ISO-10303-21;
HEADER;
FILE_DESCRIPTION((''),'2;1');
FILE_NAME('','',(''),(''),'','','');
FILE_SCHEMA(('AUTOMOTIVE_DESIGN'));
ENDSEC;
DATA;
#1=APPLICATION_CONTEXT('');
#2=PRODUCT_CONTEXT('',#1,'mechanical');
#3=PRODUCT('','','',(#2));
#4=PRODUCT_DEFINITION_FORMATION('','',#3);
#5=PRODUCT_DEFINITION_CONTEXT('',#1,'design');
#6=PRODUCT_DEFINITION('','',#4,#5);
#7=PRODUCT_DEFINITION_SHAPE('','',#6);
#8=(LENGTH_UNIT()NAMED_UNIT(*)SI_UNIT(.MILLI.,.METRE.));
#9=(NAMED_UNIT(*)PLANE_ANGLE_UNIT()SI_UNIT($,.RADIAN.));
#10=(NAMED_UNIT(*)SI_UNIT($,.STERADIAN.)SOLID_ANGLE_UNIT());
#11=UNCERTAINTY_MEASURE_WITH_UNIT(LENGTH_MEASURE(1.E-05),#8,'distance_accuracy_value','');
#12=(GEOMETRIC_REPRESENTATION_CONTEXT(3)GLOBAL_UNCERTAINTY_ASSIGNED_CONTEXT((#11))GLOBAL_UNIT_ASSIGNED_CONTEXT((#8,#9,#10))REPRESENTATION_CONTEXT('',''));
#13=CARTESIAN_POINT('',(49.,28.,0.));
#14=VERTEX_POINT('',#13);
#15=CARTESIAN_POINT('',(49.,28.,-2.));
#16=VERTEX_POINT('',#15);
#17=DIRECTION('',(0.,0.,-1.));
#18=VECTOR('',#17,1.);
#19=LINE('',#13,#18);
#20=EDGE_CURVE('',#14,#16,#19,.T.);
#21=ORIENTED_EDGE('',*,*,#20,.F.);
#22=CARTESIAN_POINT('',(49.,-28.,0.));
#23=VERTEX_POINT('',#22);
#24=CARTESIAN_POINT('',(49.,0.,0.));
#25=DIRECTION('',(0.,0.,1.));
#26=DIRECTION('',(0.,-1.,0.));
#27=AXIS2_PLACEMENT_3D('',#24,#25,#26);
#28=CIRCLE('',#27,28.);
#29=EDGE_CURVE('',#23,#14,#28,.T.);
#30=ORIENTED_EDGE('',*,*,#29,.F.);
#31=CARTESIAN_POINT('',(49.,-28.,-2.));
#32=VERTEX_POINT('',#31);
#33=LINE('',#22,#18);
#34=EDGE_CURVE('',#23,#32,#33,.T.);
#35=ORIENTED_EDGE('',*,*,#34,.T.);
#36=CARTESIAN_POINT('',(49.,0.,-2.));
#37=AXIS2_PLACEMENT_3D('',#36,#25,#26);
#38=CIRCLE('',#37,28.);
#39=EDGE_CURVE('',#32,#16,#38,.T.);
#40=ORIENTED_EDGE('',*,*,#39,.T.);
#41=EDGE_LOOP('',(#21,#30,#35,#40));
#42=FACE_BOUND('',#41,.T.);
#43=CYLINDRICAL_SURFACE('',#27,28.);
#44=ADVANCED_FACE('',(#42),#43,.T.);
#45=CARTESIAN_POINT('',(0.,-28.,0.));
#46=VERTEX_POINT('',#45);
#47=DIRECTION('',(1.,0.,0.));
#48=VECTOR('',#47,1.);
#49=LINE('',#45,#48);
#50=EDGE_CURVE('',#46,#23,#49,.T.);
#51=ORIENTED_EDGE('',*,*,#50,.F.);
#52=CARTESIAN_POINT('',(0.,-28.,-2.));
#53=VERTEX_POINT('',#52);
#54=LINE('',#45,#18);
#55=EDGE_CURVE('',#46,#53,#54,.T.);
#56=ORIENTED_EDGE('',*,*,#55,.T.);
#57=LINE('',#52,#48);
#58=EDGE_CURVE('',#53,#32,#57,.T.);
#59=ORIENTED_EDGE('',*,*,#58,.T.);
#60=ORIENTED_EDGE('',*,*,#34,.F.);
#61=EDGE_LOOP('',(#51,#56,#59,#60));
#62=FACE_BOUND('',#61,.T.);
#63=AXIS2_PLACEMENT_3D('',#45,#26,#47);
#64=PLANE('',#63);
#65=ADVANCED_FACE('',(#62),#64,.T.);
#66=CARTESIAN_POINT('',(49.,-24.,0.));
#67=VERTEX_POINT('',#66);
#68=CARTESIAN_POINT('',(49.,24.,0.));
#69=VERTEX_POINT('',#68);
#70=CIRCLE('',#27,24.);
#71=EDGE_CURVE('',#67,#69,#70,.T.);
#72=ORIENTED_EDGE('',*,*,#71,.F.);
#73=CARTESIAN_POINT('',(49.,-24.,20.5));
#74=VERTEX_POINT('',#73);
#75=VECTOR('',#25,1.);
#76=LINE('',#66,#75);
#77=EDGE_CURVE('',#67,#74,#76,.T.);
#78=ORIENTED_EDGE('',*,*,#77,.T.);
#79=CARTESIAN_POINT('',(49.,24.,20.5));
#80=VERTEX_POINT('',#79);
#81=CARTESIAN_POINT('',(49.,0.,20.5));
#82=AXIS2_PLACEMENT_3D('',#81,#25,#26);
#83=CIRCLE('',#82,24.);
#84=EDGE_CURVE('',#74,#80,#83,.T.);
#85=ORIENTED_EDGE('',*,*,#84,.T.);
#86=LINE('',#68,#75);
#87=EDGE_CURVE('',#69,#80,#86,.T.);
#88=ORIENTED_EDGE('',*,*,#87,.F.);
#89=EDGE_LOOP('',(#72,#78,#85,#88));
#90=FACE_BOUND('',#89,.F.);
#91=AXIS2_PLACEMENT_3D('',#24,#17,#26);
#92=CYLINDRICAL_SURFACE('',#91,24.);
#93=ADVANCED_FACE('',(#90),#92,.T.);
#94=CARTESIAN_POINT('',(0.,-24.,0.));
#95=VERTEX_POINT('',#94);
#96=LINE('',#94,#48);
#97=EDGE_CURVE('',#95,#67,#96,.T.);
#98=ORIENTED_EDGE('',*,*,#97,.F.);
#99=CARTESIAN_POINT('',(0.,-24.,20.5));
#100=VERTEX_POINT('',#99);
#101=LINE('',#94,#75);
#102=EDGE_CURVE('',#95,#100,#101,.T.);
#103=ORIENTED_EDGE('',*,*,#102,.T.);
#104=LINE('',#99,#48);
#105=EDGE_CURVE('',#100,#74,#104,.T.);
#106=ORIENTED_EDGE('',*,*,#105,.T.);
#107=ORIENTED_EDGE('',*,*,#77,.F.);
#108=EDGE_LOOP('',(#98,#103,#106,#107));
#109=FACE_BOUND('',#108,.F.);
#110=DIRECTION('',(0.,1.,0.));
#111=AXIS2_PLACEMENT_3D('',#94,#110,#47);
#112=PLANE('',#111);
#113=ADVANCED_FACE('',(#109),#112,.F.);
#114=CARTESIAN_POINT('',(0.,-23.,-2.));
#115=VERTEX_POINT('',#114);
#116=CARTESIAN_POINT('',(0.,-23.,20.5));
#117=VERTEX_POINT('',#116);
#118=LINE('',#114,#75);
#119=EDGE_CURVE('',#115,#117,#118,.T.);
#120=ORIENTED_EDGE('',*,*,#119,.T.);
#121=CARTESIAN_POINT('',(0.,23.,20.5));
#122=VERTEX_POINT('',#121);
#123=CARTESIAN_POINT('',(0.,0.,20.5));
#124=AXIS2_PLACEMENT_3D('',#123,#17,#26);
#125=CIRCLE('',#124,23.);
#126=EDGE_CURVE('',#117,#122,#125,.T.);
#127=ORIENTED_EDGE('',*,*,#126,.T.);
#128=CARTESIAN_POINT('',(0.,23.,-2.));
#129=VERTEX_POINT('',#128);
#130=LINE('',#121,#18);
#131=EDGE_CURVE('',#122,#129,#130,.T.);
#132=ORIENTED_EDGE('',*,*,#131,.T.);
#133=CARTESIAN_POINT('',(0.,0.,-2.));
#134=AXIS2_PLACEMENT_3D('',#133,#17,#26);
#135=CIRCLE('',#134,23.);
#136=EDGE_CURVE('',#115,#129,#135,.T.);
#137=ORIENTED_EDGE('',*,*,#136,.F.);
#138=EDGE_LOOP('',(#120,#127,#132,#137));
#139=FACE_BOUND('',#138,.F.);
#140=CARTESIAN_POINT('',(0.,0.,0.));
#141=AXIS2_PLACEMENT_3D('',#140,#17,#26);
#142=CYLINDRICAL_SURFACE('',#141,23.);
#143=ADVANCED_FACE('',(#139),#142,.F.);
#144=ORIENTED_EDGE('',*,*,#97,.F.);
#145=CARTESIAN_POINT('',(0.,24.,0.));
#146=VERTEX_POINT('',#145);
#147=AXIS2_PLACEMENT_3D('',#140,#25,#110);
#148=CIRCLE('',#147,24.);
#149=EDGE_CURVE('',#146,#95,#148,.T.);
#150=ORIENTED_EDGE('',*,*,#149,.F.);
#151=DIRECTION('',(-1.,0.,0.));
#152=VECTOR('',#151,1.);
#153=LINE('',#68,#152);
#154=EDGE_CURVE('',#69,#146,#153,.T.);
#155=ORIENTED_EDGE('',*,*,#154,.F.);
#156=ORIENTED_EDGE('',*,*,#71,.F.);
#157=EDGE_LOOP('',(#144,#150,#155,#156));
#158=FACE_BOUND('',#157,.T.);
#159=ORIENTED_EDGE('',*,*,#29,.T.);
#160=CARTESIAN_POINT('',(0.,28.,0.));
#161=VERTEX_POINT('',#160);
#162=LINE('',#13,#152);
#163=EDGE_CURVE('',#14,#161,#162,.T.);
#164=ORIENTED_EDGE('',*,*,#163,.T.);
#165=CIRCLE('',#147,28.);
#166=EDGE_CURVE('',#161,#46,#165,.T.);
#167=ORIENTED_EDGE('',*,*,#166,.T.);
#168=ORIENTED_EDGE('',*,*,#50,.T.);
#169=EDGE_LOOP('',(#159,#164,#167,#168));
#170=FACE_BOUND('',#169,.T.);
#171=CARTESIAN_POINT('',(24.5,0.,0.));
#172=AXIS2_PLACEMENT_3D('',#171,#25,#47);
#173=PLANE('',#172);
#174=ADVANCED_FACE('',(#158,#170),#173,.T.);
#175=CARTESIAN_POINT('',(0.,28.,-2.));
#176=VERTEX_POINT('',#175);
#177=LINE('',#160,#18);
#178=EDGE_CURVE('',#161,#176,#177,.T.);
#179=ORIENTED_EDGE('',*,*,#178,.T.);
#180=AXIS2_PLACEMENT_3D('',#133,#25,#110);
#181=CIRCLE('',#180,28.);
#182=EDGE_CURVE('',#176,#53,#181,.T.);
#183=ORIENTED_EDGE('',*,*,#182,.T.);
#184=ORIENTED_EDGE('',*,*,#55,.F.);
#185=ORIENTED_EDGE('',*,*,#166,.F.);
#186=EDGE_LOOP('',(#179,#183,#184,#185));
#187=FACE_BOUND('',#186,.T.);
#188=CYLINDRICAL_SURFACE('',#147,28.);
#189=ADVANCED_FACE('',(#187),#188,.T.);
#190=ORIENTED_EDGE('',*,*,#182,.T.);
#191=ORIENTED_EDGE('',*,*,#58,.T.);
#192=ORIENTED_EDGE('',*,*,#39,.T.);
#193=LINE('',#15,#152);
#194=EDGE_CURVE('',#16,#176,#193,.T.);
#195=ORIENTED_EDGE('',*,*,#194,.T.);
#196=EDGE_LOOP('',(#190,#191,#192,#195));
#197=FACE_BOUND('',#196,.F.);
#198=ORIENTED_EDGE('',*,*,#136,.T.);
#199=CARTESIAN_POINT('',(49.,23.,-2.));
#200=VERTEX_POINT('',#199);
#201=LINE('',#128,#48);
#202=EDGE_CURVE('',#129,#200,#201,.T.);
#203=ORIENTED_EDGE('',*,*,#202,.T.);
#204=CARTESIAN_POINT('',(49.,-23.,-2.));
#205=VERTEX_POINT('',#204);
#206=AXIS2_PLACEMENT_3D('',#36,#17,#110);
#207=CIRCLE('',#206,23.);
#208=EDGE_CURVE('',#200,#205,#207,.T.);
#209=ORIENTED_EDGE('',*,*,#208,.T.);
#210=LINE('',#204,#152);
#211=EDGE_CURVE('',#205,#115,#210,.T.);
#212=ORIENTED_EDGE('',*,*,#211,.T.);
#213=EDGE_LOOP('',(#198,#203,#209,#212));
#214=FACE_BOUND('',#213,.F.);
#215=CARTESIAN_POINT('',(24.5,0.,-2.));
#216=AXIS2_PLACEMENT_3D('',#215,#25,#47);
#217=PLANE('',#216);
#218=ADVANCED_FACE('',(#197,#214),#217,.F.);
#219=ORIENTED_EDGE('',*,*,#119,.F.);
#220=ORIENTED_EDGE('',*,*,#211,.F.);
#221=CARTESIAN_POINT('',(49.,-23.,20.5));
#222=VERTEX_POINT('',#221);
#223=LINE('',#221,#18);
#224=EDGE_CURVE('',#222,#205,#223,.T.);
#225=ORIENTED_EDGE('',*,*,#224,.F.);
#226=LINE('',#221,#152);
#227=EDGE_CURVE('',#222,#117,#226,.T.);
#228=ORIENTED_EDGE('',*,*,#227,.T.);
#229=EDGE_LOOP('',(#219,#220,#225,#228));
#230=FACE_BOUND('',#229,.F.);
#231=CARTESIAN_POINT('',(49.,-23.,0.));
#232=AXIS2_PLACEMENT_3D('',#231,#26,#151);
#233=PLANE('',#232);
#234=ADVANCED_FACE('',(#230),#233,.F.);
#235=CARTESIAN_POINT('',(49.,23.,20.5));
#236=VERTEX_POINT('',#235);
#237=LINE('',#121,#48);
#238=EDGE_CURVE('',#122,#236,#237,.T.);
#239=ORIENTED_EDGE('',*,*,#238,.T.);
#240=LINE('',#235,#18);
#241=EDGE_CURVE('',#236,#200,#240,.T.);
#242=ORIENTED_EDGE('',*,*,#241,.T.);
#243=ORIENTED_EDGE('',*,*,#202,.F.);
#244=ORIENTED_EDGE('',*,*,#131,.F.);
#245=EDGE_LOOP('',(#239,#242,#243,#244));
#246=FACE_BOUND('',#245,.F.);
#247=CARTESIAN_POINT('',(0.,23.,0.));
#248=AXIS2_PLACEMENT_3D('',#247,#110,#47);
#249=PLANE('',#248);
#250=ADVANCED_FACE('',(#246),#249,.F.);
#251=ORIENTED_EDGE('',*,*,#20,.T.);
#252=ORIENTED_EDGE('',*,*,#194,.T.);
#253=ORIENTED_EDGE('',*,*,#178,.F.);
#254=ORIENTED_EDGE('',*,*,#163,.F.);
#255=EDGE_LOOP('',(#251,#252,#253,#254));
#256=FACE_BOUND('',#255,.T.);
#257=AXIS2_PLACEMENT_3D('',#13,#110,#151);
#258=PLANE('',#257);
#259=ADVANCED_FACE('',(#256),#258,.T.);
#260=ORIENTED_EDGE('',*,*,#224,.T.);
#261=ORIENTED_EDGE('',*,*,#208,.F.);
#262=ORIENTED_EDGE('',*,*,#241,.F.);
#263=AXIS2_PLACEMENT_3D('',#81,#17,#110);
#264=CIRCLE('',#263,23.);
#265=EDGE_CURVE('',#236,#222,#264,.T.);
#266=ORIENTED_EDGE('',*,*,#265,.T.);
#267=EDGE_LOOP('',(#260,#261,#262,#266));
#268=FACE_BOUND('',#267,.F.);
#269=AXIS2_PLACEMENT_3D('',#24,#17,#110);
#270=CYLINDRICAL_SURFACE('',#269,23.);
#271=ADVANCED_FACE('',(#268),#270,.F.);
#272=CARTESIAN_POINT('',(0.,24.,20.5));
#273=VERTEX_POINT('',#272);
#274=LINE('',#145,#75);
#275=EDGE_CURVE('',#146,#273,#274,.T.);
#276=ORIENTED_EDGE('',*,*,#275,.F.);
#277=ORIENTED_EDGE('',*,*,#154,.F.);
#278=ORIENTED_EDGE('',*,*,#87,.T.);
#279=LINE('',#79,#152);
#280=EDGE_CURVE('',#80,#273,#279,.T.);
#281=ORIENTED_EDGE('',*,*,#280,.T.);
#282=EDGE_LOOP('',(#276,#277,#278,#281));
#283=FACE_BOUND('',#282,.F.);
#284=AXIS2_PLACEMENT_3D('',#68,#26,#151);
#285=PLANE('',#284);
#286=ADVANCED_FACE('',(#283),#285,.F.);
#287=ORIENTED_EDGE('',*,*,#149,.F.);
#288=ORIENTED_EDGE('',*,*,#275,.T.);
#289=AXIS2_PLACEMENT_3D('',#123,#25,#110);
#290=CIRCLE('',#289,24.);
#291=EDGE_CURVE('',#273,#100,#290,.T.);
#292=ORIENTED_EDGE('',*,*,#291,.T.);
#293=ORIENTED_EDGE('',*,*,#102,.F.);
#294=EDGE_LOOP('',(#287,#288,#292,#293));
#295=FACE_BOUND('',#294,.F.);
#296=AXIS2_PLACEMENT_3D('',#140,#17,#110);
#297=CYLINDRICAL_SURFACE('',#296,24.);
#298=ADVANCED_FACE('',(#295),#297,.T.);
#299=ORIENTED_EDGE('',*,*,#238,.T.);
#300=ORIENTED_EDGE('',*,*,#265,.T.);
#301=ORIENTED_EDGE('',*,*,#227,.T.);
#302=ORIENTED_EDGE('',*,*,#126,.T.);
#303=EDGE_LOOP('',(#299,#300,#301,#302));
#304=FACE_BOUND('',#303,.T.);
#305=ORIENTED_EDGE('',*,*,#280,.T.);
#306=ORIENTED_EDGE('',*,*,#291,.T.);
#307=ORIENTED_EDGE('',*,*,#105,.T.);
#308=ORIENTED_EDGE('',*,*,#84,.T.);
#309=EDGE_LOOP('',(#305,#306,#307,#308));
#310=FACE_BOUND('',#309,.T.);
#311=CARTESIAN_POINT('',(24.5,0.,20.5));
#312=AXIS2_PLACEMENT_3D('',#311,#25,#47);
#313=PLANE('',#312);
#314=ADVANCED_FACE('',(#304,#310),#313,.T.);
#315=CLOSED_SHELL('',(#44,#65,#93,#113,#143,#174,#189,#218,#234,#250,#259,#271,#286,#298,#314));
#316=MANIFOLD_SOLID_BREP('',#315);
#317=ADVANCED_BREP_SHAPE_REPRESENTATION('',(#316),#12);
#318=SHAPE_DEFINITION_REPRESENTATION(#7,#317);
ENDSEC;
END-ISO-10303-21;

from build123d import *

# Parameters (mm, degrees)
F1_DEPTH = 2
F2_DEPTH = 20.5


with BuildPart() as f1:
    # F0 (on Top) → F1 (new body)
    with BuildSketch(Plane.XY):
        with BuildLine():
            Line((49, 28), (0, 28))
            ThreePointArc((0, 28), (-28, 0), (0, -28))
            Line((0, -28), (49, -28))
            ThreePointArc((49, -28), (77, 0), (49, 28))
        make_face()
        with BuildLine():
            ThreePointArc((0, -24), (-24, 0), (0, 24))
            Line((0, 24), (49, 24))
            ThreePointArc((49, 24), (73, 0), (49, -24))
            Line((49, -24), (0, -24))
        make_face(mode=Mode.SUBTRACT)
        with BuildLine():
            Line((49, 24), (0, 24))
            ThreePointArc((0, 24), (-24, 0), (0, -24))
            Line((0, -24), (49, -24))
            ThreePointArc((49, -24), (73, 0), (49, 24))
        make_face()
        with BuildLine():
            ThreePointArc((0, -23), (-23, 0), (0, 23))
            Line((0, 23), (49, 23))
            ThreePointArc((49, 23), (72, 0), (49, -23))
            Line((49, -23), (0, -23))
        make_face(mode=Mode.SUBTRACT)
    extrude(amount=-F1_DEPTH)

    # F0 (on Top) → F2 (join)
    with BuildSketch(Plane.XY):
        with BuildLine():
            Line((49, 24), (0, 24))
            ThreePointArc((0, 24), (-24, 0), (0, -24))
            Line((0, -24), (49, -24))
            ThreePointArc((49, -24), (73, 0), (49, 24))
        make_face()
        with BuildLine():
            ThreePointArc((0, -23), (-23, 0), (0, 23))
            Line((0, 23), (49, 23))
            ThreePointArc((49, 23), (72, 0), (49, -23))
            Line((49, -23), (0, -23))
        make_face(mode=Mode.SUBTRACT)
    extrude(amount=F2_DEPTH)


solid = f1.part
